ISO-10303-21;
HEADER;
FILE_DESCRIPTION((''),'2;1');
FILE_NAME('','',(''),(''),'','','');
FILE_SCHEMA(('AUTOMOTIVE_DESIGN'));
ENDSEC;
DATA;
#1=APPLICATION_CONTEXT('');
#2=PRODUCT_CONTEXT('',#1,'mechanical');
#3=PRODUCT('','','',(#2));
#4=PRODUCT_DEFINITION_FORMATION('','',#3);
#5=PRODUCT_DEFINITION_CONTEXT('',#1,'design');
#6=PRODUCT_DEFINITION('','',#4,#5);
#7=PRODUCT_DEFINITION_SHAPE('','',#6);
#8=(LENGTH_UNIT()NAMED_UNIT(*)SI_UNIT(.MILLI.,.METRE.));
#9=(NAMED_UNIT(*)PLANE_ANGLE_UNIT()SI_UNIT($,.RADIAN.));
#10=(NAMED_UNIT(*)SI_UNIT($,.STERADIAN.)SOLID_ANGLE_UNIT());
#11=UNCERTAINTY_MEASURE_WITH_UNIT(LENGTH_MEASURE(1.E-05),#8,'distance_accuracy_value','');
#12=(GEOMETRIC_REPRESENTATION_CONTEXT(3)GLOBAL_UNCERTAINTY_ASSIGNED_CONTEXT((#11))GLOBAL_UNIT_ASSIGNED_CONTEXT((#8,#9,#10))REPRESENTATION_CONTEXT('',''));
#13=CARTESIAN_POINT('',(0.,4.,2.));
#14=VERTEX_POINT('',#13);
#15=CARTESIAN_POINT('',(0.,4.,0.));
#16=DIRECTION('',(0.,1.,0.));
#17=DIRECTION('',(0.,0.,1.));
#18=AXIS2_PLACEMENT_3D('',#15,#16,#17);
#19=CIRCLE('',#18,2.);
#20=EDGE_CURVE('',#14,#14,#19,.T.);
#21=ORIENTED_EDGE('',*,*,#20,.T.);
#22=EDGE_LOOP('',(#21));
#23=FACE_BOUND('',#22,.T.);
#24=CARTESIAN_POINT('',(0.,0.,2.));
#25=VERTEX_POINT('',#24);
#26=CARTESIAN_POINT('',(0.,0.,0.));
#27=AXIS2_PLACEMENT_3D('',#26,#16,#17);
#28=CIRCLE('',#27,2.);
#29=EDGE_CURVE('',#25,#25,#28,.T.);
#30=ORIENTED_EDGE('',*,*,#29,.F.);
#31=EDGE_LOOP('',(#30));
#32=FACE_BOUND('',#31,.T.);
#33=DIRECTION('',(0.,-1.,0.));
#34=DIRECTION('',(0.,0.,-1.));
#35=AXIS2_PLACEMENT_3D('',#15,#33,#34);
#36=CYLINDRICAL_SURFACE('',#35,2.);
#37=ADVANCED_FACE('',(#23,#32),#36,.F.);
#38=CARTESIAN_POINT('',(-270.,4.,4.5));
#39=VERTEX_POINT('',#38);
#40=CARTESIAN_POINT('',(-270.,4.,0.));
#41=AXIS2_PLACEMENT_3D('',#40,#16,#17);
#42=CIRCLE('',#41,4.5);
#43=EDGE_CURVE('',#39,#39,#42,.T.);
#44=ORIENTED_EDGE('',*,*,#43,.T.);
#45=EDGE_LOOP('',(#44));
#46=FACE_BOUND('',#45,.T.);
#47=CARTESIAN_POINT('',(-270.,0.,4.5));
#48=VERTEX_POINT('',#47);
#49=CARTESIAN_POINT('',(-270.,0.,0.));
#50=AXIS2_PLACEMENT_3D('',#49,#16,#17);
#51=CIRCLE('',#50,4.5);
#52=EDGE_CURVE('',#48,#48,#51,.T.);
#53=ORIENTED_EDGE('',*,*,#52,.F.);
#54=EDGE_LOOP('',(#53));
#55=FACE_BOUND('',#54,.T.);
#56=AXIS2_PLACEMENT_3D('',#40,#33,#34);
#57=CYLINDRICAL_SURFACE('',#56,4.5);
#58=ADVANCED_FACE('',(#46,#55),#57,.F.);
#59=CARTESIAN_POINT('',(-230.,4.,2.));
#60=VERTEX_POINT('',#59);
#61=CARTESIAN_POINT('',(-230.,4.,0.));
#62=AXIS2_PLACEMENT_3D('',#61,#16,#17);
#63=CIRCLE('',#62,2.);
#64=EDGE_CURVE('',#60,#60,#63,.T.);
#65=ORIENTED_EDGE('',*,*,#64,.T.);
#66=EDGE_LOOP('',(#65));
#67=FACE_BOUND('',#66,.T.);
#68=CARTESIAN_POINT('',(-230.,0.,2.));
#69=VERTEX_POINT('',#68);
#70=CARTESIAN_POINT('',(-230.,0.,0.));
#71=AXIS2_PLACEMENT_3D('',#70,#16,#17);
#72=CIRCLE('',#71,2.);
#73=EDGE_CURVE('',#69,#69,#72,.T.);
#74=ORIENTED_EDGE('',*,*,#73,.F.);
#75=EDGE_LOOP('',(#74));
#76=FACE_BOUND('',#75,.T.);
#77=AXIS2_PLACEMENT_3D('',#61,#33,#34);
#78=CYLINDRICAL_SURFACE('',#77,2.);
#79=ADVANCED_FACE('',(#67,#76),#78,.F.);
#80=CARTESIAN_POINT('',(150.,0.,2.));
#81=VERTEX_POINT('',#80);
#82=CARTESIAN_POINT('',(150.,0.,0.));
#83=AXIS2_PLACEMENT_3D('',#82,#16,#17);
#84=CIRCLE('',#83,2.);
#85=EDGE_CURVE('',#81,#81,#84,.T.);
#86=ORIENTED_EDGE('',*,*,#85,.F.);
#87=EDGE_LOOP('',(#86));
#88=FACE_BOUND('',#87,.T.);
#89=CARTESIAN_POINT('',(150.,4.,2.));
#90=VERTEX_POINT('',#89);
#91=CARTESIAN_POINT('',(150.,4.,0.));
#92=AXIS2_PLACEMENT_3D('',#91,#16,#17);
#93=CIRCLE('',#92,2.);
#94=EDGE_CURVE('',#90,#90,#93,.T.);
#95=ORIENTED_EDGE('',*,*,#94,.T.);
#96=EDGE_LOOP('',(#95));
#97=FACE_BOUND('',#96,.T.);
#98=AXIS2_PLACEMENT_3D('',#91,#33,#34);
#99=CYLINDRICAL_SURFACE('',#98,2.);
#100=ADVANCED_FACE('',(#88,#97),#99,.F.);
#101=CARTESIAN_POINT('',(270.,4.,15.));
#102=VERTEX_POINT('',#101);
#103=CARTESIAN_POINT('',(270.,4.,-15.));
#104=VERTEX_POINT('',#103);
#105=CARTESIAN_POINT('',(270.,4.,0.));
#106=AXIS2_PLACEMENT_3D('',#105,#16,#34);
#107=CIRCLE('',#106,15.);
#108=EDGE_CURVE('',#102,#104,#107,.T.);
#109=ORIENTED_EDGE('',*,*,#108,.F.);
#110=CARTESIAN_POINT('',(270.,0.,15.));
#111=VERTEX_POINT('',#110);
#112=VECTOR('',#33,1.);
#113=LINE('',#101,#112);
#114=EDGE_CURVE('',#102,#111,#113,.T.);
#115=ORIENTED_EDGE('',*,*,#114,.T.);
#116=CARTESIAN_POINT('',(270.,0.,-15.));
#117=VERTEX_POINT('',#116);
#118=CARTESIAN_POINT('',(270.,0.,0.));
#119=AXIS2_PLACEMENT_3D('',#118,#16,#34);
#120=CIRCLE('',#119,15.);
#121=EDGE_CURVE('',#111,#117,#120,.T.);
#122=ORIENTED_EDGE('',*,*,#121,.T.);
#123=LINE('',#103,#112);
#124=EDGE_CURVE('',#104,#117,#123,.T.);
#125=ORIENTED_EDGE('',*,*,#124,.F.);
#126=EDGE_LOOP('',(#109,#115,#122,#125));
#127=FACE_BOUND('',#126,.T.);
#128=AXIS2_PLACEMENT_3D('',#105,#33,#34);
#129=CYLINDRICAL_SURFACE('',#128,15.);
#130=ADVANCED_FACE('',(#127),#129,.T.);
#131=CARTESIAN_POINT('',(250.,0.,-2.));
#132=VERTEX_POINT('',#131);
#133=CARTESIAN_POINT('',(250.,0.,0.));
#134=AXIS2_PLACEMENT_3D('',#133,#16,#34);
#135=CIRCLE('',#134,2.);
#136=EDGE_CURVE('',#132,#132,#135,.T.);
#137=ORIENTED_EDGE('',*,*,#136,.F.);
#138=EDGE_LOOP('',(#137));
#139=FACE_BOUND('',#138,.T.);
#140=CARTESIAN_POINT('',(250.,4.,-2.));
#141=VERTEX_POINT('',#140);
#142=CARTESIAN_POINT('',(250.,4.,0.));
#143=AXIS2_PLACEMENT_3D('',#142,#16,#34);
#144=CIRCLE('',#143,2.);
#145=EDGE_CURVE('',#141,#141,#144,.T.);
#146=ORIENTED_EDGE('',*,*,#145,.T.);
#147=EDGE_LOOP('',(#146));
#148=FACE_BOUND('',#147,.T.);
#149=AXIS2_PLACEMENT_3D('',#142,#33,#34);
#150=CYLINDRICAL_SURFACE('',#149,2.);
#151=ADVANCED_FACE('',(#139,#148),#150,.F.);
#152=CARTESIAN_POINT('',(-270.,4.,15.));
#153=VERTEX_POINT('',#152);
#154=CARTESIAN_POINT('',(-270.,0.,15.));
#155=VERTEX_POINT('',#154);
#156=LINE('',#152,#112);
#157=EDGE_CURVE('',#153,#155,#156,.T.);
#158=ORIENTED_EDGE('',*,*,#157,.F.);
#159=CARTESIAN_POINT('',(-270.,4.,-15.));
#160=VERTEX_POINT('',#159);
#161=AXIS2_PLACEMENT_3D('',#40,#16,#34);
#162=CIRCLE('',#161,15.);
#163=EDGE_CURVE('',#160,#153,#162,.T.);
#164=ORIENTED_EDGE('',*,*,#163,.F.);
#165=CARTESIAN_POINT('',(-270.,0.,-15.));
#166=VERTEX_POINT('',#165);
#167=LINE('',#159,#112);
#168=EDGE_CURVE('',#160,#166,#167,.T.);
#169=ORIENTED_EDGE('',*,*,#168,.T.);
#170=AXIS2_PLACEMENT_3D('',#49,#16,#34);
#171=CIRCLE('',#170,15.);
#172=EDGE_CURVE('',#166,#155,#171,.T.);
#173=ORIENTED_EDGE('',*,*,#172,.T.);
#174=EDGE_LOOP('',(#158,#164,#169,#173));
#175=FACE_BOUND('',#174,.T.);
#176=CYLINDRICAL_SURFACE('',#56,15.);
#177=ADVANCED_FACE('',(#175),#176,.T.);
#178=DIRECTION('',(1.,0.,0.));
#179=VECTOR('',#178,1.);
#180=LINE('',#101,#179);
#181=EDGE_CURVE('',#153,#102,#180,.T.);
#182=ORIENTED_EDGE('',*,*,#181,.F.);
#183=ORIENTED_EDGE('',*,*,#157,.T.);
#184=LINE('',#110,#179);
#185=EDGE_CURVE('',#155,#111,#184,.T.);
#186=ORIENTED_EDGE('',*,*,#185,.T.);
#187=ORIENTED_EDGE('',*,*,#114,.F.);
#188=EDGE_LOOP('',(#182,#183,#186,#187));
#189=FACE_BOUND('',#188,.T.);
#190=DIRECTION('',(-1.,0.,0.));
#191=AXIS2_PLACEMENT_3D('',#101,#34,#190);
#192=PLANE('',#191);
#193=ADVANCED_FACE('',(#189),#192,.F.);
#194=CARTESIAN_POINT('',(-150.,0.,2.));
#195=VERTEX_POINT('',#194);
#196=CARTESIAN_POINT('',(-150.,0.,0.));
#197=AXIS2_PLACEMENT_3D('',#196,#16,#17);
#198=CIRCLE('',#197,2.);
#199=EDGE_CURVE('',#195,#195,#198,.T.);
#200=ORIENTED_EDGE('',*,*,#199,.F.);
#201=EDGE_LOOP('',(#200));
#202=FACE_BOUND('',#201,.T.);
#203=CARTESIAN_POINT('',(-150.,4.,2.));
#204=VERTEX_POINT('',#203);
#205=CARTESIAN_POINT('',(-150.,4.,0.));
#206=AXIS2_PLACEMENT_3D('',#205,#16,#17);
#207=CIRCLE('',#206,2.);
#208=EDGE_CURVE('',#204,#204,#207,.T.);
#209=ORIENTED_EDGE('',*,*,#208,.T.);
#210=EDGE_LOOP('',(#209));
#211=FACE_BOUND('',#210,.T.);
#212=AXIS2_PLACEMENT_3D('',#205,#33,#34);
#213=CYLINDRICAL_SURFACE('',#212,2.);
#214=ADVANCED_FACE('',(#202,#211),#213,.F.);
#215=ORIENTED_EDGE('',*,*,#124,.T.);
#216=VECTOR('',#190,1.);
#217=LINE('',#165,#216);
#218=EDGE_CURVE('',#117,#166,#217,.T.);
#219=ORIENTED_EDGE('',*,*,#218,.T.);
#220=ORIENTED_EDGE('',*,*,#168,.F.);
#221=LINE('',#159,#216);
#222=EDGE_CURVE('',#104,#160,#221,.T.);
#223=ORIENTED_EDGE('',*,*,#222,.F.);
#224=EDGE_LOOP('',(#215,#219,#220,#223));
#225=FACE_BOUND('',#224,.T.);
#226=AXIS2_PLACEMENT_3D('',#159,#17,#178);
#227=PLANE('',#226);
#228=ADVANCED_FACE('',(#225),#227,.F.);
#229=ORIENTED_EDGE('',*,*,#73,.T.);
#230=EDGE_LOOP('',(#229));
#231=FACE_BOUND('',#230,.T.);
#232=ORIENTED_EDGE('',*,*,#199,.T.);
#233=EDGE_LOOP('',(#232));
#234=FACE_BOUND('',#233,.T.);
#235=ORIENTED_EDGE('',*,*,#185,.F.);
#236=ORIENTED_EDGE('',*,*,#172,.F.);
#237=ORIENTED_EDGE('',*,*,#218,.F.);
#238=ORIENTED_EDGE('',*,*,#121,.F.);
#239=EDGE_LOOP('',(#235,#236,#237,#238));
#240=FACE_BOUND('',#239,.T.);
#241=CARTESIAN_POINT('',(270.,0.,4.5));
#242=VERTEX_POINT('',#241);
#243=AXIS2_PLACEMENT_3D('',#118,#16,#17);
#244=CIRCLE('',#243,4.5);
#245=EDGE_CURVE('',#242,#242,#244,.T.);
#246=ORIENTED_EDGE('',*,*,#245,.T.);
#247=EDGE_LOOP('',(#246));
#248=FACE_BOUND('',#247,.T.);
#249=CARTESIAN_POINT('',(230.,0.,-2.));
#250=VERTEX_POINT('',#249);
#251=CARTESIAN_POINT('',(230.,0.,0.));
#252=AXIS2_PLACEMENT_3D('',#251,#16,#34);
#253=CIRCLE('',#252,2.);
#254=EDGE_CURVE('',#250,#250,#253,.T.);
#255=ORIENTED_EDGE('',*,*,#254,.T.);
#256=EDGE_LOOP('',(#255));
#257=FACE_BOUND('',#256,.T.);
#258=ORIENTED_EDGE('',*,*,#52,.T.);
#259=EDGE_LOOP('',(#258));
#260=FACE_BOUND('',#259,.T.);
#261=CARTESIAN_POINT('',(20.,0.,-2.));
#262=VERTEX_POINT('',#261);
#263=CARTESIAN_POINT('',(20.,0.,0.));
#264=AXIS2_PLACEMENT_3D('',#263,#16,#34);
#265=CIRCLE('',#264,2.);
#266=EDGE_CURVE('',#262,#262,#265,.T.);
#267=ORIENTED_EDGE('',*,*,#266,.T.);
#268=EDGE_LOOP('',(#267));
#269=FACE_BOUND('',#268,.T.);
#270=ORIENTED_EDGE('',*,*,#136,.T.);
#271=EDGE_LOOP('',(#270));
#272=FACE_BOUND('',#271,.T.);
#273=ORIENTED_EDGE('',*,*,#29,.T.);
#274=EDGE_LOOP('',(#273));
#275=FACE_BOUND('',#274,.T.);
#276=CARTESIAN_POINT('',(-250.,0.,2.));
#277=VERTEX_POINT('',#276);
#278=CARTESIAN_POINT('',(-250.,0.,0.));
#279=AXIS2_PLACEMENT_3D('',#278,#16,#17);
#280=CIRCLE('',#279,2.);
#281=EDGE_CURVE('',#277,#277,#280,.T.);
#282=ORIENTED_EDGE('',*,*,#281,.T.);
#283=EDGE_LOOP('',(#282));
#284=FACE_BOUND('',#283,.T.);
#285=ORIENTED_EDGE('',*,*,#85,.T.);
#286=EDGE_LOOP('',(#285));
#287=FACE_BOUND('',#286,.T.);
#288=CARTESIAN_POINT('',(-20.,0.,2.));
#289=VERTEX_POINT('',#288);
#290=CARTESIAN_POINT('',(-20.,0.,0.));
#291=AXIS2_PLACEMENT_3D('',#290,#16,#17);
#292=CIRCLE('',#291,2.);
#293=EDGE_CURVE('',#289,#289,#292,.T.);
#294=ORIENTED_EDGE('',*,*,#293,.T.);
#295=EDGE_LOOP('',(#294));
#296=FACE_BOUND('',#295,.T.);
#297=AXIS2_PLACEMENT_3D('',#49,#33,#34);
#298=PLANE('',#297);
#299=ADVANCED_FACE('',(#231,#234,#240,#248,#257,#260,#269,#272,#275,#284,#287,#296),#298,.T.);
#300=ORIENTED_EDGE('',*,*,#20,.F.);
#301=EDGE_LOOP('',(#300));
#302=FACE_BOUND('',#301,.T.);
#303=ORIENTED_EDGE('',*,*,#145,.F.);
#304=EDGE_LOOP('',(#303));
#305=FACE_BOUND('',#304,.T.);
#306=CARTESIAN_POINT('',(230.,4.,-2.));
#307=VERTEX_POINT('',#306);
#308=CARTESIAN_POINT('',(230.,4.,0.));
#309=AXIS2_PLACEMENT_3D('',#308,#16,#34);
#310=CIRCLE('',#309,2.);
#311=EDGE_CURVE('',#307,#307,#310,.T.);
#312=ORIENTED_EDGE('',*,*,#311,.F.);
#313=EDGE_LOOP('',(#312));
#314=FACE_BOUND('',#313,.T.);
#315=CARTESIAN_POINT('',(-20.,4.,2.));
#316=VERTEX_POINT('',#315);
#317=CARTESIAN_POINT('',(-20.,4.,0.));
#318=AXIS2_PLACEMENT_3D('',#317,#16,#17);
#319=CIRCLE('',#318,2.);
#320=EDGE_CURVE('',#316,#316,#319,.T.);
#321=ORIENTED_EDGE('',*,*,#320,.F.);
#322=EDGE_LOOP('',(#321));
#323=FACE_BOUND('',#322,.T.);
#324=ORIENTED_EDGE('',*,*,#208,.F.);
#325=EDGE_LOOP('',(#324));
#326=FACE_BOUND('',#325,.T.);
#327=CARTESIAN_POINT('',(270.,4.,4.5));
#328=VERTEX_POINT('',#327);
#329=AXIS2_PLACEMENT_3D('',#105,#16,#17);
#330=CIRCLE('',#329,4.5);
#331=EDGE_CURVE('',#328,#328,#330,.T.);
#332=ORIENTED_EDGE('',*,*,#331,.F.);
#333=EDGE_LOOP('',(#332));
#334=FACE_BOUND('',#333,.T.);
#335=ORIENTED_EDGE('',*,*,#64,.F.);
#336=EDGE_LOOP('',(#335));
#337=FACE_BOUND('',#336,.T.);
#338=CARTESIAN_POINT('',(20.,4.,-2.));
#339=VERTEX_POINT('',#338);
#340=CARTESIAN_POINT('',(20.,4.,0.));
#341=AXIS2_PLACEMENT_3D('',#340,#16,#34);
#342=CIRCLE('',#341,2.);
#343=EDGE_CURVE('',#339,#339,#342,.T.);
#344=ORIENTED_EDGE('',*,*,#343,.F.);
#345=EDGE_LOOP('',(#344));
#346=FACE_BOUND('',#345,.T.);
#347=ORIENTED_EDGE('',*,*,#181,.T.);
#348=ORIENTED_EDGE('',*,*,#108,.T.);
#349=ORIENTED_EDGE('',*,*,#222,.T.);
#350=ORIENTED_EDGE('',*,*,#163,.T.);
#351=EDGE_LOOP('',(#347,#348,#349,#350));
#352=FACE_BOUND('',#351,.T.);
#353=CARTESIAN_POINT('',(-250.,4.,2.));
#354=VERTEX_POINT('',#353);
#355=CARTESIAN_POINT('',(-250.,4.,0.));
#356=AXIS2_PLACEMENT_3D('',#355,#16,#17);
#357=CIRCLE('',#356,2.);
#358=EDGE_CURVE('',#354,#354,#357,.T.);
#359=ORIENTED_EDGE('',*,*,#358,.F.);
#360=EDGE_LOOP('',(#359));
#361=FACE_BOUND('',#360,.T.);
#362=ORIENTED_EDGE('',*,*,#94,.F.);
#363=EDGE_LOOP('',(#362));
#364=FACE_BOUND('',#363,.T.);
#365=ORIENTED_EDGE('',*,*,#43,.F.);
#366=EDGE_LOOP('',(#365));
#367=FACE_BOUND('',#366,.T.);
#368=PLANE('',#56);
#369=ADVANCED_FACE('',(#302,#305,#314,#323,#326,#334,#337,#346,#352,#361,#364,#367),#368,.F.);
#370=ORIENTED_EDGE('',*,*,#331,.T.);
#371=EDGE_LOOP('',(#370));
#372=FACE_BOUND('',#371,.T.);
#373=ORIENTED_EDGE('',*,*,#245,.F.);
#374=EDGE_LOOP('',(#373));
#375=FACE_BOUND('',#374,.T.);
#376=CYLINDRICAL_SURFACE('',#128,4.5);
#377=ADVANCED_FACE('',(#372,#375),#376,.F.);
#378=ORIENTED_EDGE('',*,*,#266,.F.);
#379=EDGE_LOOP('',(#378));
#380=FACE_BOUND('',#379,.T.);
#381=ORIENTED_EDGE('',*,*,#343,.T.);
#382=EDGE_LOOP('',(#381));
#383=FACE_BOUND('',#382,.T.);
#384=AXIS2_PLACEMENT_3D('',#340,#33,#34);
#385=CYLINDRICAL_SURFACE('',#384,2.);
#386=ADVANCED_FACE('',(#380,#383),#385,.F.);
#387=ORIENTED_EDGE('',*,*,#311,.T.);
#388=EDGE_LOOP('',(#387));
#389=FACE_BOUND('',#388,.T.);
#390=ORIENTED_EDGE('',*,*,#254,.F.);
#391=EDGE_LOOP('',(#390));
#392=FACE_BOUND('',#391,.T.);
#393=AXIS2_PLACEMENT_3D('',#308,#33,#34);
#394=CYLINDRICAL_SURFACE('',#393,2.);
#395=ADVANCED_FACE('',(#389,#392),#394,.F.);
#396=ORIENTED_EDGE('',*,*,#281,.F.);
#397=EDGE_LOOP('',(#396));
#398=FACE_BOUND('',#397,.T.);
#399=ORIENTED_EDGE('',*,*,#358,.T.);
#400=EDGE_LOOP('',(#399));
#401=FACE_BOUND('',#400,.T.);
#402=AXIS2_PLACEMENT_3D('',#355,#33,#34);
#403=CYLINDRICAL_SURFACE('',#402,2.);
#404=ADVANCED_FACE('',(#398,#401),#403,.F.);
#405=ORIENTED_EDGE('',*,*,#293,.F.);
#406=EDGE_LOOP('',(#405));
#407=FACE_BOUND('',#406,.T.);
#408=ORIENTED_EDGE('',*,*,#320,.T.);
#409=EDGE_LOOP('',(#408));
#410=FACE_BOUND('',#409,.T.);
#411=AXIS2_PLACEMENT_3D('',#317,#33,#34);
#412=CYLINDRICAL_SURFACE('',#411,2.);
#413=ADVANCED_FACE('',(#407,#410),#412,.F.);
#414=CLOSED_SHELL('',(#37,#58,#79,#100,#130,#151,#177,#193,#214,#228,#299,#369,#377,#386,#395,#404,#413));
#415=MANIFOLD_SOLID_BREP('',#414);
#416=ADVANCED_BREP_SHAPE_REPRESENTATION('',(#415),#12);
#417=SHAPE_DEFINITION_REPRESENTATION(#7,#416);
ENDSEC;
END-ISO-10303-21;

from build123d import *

# Parameters (mm, degrees)
SKETCH1_R           = 4.5
SKETCH1_R_2         = 2
BOSS_EXTRUDE1_DEPTH = 4


with BuildPart() as part:
    # Sketch1 → Boss-Extrude1 (new body)
    with BuildSketch(Plane(origin=(0, 0, 0), x_dir=(1, 0, 0), z_dir=(0, 1, 0))):
        with BuildLine():
            Line((-270, 15), (270, 15))
            ThreePointArc((270, 15), (285, 0), (270, -15))
            Line((270, -15), (-270, -15))
            ThreePointArc((-270, -15), (-285, 0), (-270, 15))
        make_face()
        with Locations(Location((-270, 0, 0), (0, 0, 270))):
            Circle(SKETCH1_R, mode=Mode.SUBTRACT)
        with Locations(Location((270, 0, 0), (0, 0, 270))):
            Circle(SKETCH1_R, mode=Mode.SUBTRACT)
        with Locations(Location((-150, 0, 0), (0, 0, 270))):
            Circle(SKETCH1_R_2, mode=Mode.SUBTRACT)
        with Locations(Location((150, 0, 0), (0, 0, 270))):
            Circle(SKETCH1_R_2, mode=Mode.SUBTRACT)
        with Locations(Location((0, 0, 0), (0, 0, 270))):
            Circle(SKETCH1_R_2, mode=Mode.SUBTRACT)
        with Locations(Location((-250, 0, 0), (0, 0, 270))):
            Circle(SKETCH1_R_2, mode=Mode.SUBTRACT)
        with Locations(Location((-230, 0, 0), (0, 0, 270))):
            Circle(SKETCH1_R_2, mode=Mode.SUBTRACT)
        with Locations(Location((-20, 0, 0), (0, 0, 270))):
            Circle(SKETCH1_R_2, mode=Mode.SUBTRACT)
        with Locations(Location((230, 0, 0), (0, 0, 90))):
            Circle(SKETCH1_R_2, mode=Mode.SUBTRACT)
        with Locations(Location((250, 0, 0), (0, 0, 90))):
            Circle(SKETCH1_R_2, mode=Mode.SUBTRACT)
        with Locations(Location((20, 0, 0), (0, 0, 90))):
            Circle(SKETCH1_R_2, mode=Mode.SUBTRACT)
    extrude(amount=BOSS_EXTRUDE1_DEPTH)


solid = part.part
